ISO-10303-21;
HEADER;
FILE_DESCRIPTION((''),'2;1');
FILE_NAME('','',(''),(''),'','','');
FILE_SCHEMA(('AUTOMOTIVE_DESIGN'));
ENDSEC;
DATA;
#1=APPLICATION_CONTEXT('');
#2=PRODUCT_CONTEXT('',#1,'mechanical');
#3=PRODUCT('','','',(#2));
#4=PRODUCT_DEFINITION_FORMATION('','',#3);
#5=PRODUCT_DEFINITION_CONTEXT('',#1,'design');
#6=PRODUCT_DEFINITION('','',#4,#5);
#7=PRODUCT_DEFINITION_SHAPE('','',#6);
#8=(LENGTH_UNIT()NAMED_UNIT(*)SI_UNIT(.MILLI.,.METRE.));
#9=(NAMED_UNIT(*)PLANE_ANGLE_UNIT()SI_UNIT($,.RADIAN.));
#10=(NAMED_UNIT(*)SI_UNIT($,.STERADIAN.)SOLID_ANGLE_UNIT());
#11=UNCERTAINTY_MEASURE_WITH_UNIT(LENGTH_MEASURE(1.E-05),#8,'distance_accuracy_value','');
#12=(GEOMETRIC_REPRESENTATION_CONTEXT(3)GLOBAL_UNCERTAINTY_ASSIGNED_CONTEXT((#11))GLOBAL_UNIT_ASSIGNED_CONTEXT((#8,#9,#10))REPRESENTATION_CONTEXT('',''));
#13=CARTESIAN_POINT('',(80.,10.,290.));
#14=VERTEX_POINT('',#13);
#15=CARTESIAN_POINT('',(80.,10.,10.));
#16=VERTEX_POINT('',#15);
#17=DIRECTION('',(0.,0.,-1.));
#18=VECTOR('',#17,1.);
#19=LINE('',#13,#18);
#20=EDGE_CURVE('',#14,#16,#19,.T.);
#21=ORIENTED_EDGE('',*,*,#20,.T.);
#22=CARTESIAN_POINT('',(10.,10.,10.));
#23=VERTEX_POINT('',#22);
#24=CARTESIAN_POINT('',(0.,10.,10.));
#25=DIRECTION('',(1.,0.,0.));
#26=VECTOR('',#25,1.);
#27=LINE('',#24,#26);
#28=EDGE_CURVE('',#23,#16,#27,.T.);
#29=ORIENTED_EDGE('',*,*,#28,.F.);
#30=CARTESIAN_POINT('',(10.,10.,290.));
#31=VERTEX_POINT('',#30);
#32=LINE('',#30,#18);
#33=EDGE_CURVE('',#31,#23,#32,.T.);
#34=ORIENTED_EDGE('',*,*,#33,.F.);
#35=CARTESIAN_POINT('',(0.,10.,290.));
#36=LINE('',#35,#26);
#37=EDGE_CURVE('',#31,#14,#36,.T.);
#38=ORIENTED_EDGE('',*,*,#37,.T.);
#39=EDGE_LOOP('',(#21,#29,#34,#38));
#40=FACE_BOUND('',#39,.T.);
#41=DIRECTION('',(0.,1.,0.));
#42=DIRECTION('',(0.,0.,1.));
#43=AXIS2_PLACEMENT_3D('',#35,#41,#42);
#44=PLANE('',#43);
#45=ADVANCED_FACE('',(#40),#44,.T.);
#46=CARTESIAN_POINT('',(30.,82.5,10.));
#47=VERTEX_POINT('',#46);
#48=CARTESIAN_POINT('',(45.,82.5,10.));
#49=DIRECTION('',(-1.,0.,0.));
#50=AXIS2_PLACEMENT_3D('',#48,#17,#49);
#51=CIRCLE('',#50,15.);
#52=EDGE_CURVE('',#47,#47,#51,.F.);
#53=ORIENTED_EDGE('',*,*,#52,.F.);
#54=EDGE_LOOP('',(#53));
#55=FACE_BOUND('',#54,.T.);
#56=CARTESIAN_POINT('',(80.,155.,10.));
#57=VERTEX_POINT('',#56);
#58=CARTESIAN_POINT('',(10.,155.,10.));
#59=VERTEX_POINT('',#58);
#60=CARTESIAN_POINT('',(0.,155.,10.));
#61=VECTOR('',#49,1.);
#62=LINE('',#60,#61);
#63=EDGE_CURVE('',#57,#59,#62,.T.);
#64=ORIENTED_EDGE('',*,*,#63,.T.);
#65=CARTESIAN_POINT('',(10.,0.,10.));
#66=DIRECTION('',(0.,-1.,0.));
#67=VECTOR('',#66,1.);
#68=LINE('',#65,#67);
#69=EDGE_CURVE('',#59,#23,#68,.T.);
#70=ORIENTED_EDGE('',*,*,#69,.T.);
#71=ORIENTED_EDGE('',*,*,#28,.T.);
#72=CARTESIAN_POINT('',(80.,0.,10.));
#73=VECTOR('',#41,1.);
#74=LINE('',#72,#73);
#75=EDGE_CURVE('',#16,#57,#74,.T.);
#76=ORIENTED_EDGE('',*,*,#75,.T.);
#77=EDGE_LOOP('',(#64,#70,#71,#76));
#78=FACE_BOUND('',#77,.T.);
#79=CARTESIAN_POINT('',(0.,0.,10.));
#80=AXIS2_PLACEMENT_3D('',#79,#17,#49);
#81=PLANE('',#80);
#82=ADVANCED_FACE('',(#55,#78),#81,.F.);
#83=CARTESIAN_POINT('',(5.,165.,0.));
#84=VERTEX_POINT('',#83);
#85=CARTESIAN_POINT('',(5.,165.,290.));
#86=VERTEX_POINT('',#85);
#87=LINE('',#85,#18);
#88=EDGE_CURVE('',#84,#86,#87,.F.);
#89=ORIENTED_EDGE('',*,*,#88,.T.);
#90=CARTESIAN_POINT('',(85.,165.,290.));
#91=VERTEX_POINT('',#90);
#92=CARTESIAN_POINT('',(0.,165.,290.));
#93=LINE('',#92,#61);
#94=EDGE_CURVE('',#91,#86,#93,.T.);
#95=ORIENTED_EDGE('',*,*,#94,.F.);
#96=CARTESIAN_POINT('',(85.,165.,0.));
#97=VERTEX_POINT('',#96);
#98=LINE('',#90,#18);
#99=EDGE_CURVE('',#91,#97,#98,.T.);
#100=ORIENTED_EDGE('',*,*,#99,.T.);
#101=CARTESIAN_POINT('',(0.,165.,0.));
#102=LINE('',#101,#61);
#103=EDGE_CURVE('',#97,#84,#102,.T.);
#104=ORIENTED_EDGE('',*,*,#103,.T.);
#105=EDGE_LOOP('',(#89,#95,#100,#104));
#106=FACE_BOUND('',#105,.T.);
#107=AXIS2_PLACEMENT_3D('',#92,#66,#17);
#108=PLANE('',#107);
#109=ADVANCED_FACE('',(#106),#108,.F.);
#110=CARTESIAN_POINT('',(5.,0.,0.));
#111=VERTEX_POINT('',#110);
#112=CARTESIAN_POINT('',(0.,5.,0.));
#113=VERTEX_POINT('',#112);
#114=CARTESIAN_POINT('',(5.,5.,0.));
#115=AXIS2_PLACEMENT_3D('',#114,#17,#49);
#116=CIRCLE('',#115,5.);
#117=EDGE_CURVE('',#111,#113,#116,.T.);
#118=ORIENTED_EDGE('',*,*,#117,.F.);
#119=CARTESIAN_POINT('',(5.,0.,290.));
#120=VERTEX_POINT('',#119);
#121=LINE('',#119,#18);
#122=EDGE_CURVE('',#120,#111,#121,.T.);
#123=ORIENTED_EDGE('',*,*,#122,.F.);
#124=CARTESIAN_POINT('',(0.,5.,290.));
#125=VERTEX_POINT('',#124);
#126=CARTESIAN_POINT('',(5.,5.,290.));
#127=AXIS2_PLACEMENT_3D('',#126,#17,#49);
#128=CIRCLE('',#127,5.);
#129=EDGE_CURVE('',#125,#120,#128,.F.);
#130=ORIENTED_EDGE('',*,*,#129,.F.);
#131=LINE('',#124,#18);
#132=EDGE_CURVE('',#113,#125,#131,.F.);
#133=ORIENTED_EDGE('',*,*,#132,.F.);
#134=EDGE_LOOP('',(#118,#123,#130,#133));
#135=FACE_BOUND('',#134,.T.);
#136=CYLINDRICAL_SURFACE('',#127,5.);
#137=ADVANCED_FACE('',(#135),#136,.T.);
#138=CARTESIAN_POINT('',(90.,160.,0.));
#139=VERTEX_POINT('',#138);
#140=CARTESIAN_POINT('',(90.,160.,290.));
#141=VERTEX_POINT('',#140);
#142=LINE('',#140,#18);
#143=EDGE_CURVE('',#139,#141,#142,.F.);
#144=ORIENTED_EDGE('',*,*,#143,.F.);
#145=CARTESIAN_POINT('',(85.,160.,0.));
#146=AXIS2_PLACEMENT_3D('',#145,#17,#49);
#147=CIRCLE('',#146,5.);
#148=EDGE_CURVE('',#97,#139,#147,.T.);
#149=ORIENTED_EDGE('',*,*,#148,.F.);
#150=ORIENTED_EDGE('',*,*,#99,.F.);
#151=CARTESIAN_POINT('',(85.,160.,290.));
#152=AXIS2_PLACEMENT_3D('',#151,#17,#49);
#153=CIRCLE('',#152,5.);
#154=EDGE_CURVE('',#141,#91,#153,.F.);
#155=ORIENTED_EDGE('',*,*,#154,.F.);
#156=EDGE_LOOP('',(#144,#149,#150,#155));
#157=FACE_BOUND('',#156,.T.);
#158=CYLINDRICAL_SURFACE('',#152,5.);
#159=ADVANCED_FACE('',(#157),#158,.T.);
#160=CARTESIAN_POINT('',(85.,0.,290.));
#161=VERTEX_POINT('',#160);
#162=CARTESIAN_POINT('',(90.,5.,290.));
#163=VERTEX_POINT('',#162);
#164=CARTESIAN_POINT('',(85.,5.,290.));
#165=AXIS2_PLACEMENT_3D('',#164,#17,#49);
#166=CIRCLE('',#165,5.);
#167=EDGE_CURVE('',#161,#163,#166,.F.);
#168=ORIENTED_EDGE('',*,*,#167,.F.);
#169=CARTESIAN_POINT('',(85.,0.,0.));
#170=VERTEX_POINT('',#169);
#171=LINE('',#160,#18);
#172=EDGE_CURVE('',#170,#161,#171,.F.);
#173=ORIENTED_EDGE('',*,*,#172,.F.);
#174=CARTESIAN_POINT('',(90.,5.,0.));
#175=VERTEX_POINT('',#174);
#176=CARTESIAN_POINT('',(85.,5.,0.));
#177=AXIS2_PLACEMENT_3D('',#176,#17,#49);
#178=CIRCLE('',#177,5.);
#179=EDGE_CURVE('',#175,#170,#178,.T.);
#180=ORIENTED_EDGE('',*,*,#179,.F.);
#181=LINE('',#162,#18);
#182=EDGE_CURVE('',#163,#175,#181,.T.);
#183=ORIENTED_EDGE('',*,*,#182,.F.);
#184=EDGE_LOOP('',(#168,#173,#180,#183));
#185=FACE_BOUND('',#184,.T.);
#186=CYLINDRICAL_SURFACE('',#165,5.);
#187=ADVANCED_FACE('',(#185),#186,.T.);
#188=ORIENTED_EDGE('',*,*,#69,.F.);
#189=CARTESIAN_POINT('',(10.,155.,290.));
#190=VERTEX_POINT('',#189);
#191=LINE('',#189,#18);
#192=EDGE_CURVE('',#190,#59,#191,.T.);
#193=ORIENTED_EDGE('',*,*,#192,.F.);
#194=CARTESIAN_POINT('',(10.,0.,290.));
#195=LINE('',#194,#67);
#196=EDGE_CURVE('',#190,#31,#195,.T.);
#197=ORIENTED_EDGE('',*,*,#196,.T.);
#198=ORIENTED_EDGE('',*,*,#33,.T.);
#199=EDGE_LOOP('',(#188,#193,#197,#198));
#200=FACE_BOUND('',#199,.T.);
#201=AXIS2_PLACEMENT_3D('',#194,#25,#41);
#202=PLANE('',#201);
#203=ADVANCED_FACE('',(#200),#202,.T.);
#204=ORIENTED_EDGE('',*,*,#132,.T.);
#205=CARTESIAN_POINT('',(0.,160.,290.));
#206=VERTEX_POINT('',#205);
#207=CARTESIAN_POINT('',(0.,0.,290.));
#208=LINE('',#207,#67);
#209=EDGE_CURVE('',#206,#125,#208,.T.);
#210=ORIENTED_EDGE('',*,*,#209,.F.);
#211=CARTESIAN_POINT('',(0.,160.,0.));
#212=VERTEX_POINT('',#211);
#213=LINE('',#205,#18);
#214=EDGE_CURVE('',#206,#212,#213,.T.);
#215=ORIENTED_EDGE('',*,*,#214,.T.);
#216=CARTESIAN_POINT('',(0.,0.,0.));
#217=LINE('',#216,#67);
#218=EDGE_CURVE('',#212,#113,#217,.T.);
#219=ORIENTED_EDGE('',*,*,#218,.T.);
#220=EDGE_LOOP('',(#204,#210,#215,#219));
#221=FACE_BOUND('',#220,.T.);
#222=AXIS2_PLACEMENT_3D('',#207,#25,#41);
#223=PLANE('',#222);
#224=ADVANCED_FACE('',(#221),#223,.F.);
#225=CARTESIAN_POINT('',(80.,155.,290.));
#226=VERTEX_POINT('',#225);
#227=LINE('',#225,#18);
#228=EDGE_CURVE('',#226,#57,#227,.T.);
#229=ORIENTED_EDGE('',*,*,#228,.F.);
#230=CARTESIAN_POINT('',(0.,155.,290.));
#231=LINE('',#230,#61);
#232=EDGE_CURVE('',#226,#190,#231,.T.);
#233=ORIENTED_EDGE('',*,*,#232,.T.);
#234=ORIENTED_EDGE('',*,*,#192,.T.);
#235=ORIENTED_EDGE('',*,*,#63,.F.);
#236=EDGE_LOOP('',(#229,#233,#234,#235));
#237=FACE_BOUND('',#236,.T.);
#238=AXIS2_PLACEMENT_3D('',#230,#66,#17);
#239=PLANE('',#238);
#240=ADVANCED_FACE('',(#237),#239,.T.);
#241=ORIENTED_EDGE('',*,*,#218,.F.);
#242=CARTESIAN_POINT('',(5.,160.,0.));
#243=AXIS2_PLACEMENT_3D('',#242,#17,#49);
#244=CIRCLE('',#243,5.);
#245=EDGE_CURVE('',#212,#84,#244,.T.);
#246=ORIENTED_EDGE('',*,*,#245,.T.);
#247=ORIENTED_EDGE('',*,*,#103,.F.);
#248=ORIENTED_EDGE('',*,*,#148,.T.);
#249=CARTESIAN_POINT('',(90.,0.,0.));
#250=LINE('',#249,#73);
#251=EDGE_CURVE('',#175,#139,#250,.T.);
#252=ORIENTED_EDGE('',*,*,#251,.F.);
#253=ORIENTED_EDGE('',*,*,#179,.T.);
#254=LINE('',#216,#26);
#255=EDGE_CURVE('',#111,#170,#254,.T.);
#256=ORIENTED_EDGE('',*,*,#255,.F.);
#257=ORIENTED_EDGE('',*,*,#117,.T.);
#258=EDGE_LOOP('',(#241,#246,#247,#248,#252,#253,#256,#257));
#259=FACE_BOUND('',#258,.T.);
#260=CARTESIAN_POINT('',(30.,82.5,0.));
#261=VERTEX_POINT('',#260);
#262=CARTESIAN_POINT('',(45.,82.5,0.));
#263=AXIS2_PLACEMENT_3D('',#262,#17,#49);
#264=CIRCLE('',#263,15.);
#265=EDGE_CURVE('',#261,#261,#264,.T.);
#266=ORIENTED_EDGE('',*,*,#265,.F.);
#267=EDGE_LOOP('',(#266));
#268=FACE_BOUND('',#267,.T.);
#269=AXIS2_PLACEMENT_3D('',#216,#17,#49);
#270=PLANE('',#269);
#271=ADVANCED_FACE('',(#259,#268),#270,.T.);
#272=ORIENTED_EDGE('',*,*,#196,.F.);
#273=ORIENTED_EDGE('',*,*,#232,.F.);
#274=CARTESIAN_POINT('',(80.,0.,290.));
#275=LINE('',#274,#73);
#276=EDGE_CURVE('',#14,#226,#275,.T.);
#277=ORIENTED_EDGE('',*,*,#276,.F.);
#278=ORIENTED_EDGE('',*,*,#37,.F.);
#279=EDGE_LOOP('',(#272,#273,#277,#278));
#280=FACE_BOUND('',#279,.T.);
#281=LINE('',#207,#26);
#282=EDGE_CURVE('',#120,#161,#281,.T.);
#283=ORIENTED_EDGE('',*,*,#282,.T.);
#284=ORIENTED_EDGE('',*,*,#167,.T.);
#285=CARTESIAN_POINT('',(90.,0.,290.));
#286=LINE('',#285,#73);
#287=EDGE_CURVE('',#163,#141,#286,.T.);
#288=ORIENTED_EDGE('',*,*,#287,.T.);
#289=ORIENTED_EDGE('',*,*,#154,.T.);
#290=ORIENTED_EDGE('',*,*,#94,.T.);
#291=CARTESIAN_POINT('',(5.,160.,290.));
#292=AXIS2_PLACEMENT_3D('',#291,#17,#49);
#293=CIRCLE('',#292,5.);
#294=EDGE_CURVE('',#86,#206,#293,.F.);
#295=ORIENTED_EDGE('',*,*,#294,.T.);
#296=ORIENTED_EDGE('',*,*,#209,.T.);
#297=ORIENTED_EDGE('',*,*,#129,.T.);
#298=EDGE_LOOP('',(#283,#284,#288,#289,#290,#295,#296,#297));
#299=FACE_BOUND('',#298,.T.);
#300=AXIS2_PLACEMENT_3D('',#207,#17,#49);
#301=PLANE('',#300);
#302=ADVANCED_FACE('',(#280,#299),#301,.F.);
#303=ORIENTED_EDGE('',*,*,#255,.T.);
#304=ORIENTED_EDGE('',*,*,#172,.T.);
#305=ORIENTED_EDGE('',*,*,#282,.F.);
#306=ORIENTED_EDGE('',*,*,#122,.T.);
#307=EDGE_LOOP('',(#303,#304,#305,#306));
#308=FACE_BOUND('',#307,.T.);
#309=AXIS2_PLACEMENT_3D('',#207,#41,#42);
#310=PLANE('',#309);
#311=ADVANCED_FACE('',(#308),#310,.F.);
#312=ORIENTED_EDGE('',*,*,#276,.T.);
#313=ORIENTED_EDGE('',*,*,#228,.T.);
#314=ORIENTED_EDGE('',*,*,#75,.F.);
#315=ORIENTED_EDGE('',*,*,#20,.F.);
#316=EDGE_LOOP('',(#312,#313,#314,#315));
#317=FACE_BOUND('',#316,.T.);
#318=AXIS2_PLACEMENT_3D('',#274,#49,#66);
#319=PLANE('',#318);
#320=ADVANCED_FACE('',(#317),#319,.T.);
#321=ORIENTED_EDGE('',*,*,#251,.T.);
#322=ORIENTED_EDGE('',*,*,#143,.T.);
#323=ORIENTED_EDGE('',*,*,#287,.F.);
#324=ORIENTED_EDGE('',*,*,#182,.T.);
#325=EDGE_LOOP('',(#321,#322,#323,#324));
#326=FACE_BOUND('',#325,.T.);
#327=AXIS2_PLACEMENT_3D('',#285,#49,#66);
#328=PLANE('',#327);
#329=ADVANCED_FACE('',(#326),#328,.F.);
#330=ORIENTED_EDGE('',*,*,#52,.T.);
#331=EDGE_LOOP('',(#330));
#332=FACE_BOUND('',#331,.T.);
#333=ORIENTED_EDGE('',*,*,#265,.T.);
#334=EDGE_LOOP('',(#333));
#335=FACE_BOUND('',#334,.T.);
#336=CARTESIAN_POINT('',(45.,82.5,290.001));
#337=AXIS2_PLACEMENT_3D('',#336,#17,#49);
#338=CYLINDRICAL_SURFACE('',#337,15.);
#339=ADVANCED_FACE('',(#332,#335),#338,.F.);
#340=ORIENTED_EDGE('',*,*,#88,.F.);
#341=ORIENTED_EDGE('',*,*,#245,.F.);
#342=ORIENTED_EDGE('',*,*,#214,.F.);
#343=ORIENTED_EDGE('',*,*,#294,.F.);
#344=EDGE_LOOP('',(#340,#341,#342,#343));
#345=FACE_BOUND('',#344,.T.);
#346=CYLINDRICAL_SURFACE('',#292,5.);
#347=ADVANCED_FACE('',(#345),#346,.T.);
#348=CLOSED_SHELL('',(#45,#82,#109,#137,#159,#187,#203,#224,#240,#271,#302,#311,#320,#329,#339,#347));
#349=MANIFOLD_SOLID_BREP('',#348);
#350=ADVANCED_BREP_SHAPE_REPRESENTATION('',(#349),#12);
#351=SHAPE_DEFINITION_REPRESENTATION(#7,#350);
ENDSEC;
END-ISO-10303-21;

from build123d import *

# Parameters (mm, degrees)
SKETCH_1_W          = 90
SKETCH_1_H          = 165
EXTRUDE_1_DEPTH     = 290
SHELL_1_T           = -10
FILLET_1_R          = 5
CUT_EXTRUDE_1_REACH = 347.579
SKETCH_2_R          = 15


with BuildPart() as part:
    # 스케치1 → 보스-돌출1 (new body)
    with BuildSketch(Plane.XY):
        with Locations((45, 82.5)):
            Rectangle(SKETCH_1_W, SKETCH_1_H)
    extrude(amount=EXTRUDE_1_DEPTH)

    # 쉘1
    shell_1_openings = [part.faces().sort_by_distance(p)[0] for p in [
        (45, 82.5, 290),
    ]]
    offset(amount=SHELL_1_T, openings=shell_1_openings, kind=Kind.INTERSECTION)

    # 필렛1
    fillet_1_edges = [part.edges().sort_by_distance(p)[0] for p in [
        (0, 165, 145),
        (90, 165, 145),
        (90, 0, 145),
        (0, 0, 145),
    ]]
    fillet(fillet_1_edges, radius=FILLET_1_R)

    # 스케치2 → 컷-돌출1 (cut, up to next)
    with BuildSketch(Plane(origin=(0, 0, 0), x_dir=(-1, 0, 0), z_dir=(0, 0, -1)), mode=Mode.PRIVATE) as cut_extrude_1_sk1:
        with Locations((-45, 82.5)):
            Circle(SKETCH_2_R)
    cut_extrude_1_tool1 = extrude(cut_extrude_1_sk1.sketch, amount=-CUT_EXTRUDE_1_REACH, mode=Mode.PRIVATE) & part.part
    add(cut_extrude_1_tool1.solids().sort_by_distance((45, 82.5, 0))[0], mode=Mode.SUBTRACT)


solid = part.part
